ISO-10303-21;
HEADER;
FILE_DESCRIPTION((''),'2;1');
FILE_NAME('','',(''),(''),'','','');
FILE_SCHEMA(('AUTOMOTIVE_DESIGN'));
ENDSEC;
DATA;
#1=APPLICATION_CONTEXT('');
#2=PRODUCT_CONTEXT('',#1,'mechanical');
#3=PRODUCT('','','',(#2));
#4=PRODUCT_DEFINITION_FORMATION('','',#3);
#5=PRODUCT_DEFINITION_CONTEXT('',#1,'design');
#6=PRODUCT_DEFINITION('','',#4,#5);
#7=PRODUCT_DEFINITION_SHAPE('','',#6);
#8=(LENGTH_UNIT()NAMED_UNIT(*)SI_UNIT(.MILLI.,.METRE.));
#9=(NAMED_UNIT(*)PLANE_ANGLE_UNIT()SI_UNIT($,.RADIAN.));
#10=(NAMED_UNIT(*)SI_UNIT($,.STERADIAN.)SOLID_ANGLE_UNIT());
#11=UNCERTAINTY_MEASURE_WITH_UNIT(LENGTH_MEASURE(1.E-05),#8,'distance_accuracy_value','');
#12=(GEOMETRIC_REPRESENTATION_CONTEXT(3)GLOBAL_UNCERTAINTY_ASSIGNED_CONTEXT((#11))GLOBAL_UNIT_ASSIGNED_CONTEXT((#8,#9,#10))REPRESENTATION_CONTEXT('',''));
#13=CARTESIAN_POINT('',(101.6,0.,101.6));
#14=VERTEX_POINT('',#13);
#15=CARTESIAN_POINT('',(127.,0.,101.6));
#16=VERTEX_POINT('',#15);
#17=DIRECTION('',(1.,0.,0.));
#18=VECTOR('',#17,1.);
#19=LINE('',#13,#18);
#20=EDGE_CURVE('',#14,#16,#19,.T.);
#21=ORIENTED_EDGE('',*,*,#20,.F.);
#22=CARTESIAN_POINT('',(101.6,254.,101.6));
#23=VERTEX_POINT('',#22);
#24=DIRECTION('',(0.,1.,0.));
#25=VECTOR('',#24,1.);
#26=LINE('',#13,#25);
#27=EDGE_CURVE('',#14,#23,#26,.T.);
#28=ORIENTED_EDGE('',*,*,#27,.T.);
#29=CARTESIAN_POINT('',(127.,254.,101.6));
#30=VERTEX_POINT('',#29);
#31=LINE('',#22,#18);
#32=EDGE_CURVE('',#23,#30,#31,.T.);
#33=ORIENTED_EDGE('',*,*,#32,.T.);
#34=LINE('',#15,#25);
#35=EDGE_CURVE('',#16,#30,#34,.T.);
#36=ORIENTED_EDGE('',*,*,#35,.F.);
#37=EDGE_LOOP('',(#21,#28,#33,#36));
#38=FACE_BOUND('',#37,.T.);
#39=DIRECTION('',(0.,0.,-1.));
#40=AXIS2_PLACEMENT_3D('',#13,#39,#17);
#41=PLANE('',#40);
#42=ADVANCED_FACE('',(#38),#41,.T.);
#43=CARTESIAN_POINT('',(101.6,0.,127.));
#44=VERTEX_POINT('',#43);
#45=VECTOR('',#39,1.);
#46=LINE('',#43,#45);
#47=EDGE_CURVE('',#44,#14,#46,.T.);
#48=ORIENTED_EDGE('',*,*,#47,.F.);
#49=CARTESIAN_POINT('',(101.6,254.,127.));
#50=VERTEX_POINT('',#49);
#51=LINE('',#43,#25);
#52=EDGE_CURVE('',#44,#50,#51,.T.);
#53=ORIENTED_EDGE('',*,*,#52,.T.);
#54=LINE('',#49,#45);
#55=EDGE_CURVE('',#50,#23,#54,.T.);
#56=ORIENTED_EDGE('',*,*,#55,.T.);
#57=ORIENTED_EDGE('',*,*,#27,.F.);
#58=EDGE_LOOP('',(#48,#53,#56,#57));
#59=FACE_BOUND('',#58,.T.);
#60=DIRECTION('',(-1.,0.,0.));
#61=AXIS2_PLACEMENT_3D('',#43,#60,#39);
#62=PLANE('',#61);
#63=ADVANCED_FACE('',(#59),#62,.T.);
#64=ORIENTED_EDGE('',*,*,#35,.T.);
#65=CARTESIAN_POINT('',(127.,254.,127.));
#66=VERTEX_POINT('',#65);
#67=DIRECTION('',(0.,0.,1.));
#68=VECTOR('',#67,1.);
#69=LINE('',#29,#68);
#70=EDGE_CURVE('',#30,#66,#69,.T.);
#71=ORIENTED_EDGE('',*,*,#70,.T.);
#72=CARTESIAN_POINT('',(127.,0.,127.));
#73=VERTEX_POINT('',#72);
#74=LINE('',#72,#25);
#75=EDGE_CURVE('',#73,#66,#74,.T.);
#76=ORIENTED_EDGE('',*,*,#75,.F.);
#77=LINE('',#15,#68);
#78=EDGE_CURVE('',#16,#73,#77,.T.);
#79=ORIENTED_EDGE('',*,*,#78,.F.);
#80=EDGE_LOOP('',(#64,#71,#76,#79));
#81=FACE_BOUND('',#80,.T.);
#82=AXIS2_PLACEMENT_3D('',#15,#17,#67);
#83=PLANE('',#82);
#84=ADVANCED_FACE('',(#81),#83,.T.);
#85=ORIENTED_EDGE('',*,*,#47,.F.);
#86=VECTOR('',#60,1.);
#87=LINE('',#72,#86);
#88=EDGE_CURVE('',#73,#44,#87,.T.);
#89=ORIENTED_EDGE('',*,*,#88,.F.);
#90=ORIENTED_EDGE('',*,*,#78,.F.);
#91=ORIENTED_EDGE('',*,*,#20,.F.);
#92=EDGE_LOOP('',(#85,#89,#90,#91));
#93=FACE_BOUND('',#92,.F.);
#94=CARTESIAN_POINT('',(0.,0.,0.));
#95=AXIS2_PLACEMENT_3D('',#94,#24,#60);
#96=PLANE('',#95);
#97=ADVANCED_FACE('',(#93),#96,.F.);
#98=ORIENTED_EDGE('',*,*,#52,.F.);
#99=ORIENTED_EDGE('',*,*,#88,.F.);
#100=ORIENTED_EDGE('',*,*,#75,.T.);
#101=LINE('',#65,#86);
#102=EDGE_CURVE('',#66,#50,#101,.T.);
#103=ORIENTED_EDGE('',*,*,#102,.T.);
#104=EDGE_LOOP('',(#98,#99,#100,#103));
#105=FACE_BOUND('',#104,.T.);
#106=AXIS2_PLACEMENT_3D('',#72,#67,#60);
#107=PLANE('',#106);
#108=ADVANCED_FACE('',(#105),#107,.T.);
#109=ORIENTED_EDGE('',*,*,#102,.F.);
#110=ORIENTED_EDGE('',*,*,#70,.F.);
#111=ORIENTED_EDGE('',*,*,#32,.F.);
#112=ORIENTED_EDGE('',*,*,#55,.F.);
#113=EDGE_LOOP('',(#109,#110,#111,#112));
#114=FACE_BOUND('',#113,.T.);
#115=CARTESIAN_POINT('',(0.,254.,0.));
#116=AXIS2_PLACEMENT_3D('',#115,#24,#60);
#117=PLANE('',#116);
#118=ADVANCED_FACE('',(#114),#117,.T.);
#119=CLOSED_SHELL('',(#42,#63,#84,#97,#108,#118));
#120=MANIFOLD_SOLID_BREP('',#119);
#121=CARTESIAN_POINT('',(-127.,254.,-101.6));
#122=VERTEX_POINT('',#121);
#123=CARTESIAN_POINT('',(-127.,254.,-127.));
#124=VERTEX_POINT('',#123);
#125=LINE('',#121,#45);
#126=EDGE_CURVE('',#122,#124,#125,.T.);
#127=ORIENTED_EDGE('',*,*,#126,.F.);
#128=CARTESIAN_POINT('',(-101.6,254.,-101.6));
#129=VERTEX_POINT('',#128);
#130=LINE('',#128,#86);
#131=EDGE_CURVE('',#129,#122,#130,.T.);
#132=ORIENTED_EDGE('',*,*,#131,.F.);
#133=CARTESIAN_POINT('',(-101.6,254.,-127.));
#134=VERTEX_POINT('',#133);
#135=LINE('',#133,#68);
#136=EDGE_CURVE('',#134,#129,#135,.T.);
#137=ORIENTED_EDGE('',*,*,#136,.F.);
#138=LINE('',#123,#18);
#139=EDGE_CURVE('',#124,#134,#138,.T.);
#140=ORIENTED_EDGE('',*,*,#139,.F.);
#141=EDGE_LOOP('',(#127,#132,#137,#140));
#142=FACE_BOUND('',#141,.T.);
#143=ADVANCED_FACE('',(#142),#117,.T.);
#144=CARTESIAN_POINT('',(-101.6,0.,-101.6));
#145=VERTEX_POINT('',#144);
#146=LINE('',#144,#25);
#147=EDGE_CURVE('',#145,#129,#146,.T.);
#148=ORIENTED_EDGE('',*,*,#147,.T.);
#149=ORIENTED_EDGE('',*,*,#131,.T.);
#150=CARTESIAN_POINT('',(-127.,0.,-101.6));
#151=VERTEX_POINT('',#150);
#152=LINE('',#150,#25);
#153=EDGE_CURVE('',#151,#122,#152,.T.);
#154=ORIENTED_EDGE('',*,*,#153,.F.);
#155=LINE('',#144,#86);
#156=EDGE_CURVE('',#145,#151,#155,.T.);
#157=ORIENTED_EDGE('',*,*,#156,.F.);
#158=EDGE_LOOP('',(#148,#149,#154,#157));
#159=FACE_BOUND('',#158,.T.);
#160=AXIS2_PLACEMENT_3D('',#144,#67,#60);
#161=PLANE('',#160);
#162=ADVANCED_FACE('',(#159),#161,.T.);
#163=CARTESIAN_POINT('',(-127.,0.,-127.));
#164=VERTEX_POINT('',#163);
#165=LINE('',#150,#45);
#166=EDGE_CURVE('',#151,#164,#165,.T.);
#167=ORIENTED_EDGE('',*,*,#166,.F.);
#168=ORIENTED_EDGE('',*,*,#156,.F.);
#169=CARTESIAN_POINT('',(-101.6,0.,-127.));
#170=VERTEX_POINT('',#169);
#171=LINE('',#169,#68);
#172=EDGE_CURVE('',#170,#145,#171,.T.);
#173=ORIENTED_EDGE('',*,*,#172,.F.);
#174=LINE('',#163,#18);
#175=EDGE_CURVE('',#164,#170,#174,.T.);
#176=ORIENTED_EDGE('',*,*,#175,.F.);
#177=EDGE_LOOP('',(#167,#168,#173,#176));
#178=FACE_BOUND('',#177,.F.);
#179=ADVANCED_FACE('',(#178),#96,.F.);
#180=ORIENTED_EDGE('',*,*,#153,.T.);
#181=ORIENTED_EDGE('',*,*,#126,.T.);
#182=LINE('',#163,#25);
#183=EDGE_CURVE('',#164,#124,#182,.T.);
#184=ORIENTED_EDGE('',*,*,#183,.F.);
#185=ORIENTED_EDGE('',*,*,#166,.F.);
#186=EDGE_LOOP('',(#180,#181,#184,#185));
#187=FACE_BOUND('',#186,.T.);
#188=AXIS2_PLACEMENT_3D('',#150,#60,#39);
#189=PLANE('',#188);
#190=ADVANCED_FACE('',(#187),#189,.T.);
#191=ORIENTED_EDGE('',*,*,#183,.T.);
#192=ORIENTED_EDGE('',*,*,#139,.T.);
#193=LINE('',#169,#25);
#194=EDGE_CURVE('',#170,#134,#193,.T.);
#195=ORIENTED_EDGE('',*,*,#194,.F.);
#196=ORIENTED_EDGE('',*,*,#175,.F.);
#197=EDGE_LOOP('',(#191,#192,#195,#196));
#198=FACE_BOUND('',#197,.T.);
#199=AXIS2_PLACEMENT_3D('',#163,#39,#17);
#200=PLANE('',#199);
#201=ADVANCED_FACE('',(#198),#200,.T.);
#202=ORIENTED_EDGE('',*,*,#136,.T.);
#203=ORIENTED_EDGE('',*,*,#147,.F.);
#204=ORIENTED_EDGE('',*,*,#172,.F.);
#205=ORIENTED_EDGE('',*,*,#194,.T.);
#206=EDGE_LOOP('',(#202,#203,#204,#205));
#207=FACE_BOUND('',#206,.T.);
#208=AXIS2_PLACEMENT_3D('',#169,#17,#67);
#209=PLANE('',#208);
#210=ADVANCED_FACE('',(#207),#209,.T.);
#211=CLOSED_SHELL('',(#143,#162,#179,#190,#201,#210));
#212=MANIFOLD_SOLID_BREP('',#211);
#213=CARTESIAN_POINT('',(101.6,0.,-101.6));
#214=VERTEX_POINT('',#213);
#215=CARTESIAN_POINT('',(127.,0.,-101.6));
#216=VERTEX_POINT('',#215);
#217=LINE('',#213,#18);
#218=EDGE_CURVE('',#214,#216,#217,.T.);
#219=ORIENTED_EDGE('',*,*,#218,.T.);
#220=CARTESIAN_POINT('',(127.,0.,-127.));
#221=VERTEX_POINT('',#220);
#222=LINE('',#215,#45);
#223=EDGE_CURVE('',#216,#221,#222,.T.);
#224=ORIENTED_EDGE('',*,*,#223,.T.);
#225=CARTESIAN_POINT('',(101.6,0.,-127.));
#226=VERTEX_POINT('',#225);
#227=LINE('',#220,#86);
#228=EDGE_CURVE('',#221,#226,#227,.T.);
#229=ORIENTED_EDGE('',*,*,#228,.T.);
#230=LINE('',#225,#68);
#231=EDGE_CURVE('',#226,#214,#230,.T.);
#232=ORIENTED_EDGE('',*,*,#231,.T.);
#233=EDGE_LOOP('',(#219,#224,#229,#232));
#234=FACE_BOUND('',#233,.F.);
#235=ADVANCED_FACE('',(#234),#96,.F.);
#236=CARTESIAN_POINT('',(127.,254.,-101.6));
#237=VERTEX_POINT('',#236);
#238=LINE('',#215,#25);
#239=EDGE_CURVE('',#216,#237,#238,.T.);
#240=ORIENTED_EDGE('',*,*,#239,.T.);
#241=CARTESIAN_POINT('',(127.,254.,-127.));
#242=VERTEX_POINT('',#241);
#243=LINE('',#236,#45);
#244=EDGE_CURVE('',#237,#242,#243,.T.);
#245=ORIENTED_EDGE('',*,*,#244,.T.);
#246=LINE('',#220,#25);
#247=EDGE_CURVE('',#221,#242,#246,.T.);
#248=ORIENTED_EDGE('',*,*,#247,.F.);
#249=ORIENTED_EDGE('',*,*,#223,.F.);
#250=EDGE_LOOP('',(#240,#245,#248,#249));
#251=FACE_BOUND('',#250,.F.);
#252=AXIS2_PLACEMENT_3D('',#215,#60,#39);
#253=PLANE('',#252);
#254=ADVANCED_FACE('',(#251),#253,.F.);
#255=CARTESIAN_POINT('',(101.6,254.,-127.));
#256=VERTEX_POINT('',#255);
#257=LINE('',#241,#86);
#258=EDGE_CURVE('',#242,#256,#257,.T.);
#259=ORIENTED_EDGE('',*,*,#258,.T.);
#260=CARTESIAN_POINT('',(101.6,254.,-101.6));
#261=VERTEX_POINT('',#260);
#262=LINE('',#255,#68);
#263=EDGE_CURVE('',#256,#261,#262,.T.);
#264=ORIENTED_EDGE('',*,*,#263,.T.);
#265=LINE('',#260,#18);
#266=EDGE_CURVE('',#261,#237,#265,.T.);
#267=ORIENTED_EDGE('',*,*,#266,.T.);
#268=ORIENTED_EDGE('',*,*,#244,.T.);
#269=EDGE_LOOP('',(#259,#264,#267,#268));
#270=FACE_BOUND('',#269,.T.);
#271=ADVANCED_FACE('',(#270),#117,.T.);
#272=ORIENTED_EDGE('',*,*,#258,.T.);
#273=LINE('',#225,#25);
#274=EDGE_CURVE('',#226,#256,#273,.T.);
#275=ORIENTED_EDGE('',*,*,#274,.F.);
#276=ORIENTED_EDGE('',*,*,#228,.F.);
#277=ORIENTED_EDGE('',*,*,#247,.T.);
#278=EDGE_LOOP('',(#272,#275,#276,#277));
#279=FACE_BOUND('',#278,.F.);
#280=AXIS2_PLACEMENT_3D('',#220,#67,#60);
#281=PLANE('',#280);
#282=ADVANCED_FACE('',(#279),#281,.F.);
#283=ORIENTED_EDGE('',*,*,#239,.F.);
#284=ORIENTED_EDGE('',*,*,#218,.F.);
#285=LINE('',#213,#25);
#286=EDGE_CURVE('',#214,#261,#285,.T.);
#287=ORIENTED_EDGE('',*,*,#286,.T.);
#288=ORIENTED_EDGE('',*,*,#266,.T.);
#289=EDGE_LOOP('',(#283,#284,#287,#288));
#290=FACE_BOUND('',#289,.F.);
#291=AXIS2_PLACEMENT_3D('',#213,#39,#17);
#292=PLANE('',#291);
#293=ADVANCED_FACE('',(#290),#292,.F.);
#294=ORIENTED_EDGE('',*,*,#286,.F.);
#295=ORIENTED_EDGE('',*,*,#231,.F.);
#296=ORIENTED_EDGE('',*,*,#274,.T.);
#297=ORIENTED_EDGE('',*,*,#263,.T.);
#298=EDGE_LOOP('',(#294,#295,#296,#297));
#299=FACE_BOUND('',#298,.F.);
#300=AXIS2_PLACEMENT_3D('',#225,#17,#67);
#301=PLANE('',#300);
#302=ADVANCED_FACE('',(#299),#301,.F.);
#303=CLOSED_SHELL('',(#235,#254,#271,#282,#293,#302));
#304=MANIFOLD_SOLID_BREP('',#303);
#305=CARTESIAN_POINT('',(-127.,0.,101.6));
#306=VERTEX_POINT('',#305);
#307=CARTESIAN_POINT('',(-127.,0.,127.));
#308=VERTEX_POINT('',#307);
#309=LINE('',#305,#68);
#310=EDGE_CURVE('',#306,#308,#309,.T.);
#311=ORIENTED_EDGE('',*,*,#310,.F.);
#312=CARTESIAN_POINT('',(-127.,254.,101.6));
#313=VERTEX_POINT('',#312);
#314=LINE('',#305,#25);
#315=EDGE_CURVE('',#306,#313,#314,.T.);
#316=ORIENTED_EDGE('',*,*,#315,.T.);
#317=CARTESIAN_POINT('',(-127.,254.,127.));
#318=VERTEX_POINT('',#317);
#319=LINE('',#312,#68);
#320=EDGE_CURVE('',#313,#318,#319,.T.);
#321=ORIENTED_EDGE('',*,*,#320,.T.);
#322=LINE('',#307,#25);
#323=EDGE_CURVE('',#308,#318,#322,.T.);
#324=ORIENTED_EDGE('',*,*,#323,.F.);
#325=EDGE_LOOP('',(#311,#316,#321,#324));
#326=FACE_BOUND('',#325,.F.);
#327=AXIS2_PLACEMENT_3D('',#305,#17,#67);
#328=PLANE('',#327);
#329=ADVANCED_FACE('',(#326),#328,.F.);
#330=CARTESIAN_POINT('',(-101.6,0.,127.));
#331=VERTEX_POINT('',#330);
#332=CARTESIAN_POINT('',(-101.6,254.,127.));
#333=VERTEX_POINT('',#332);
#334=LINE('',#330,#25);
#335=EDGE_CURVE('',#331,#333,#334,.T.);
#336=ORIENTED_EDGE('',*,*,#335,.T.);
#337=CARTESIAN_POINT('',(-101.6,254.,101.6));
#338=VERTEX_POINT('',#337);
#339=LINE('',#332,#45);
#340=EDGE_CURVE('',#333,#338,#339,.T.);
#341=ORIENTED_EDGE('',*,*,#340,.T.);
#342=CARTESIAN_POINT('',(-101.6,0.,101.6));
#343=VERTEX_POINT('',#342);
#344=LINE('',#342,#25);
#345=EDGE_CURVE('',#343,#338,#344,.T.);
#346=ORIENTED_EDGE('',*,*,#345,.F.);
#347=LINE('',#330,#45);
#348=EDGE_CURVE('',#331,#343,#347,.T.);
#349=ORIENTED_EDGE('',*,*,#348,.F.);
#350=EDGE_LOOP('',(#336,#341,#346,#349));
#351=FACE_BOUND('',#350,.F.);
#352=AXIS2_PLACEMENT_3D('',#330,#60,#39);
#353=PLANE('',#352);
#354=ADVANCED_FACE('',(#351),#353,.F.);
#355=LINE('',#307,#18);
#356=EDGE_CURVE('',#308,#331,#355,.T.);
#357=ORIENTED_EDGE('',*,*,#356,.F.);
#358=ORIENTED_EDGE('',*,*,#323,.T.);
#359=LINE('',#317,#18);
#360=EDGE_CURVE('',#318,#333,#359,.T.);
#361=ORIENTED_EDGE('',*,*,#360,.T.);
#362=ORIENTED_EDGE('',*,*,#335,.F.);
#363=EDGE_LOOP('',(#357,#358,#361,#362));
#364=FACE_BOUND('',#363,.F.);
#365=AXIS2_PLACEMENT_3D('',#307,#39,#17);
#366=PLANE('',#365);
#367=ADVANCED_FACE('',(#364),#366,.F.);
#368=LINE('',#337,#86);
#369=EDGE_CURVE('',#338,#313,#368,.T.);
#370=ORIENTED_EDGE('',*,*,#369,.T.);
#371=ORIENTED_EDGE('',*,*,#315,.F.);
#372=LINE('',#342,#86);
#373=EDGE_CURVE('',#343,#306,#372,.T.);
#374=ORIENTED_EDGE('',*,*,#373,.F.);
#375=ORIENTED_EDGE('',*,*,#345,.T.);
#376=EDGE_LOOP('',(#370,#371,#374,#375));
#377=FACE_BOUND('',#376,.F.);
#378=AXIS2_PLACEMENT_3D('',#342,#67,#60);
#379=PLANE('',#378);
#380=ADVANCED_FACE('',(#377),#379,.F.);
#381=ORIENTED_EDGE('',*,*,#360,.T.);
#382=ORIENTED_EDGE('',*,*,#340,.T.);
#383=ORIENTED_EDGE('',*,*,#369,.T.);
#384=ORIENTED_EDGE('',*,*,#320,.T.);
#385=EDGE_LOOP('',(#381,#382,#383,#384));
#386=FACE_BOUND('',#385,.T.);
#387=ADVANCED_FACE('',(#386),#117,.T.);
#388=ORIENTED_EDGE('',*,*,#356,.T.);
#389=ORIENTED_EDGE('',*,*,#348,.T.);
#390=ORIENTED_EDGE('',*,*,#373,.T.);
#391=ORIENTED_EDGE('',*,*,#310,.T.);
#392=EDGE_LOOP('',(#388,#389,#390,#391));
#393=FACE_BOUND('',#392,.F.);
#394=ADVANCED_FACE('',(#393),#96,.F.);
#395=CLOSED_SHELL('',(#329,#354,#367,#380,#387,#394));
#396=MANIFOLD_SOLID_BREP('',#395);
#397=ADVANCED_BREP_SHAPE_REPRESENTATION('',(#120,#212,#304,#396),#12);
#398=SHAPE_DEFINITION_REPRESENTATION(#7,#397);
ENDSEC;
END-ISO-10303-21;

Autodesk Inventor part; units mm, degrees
ref_plane "XY Plane" through (0, 0, 0) normal (0, 0, 1) x (1, 0, 0)
sketch "Sketch2" plane through (0, 0, 0) normal (0, 1, 0) x (-1, 0, 0)
  line L0 (127, 127) -> (101.6, 127)
  line L1 (101.6, 127) -> (101.6, 101.6)
  line L2 (101.6, 101.6) -> (127, 101.6)
  line L3 (127, 101.6) -> (127, 127)
  line L4 (101.6, 0) -> (-116.8124, 0) construction
  line L5 (0, 219.6692) -> (0, -132.8134) construction
  line L6 (127, -127) -> (101.6, -127)
  line L7 (101.6, -127) -> (101.6, -101.6)
  line L8 (101.6, -101.6) -> (127, -101.6)
  line L9 (127, -101.6) -> (127, -127)
  line L10 (-127, 127) -> (-101.6, 127)
  line L11 (-101.6, 127) -> (-101.6, 101.6)
  line L12 (-101.6, 101.6) -> (-127, 101.6)
  line L13 (-127, 101.6) -> (-127, 127)
  line L14 (-127, -127) -> (-101.6, -127)
  line L15 (-127, -101.6) -> (-127, -127)
  line L16 (-101.6, -101.6) -> (-127, -101.6)
  line L17 (-101.6, -127) -> (-101.6, -101.6)
  point P0 (0, 0)
  dimension "d1" = 25.4
  dimension "d2" = 101.6
  dimension "d3" = 101.6
extrude "Extrusion1" add sketch "Sketch2" along normal blind 254
ref_plane "Work Plane1" through (-127, 254, 101.6) normal (0, 1, 0) x (-1, 0, 0)
ref_plane "Work Plane3" through (-177.8, 254, -101.6) normal (1, 0, 0) x (0, 1, 0)
ref_plane "Work Plane2" through (-127, 254, -101.6) normal (1, 0, 0) x (0, 1, 0)
properties part number "VeryBasicFrame"
